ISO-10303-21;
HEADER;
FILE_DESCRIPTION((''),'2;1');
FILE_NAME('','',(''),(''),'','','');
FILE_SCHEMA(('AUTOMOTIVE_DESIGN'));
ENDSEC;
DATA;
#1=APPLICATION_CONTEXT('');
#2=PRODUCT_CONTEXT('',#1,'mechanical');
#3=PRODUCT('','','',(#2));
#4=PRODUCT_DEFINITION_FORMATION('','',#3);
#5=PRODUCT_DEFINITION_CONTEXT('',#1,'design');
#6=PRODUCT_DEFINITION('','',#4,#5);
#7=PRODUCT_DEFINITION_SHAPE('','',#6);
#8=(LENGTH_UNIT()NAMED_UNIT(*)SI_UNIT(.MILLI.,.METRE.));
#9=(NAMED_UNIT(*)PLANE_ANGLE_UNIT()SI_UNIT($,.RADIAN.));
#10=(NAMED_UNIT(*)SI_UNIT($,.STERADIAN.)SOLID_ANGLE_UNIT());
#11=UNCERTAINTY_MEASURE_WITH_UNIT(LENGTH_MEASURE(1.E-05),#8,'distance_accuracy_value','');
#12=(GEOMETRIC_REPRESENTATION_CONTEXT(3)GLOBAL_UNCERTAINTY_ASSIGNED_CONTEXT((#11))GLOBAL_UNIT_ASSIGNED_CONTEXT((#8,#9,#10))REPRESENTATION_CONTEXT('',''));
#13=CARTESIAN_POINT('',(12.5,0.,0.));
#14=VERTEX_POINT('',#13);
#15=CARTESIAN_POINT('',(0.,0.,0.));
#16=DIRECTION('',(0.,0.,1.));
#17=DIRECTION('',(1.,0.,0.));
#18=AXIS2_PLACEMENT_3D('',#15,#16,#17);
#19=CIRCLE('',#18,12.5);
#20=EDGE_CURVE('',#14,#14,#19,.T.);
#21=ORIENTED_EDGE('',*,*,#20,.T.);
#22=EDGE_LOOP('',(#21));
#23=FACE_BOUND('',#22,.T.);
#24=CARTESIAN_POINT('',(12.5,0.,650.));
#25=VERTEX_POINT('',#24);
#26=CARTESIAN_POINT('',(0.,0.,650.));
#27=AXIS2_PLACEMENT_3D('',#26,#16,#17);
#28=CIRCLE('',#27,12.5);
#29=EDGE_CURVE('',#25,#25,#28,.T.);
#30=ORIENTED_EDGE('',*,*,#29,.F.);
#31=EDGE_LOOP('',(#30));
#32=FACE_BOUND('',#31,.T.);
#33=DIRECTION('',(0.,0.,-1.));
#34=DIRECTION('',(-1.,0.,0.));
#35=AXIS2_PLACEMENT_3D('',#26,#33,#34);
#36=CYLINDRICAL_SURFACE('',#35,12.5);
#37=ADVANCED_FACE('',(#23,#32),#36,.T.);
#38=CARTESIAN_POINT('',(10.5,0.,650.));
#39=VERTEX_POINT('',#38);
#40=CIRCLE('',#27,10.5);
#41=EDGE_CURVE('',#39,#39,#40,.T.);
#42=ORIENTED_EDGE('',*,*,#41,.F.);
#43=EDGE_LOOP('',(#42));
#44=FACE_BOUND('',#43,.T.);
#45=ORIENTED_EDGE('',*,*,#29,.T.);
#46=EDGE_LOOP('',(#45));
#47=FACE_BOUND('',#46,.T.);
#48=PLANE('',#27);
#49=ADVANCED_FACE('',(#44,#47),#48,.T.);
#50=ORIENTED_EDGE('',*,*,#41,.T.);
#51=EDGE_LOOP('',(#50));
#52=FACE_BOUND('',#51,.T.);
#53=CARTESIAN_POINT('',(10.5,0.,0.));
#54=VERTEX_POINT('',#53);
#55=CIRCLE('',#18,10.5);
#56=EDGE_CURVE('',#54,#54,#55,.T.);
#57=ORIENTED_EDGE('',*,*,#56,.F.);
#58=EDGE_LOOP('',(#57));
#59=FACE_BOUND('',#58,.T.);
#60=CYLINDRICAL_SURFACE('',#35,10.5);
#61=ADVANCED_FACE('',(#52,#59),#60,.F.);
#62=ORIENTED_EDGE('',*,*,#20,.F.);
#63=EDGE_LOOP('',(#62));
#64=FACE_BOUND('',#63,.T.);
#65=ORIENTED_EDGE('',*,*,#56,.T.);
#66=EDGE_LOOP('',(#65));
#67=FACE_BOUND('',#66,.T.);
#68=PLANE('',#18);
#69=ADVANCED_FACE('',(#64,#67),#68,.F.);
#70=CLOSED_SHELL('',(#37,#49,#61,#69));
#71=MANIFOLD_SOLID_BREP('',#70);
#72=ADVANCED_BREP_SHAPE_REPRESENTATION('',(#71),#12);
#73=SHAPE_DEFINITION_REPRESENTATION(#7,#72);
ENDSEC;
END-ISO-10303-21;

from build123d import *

# Parameters (mm, degrees)
CROQUIS1_R              = 12.5
CROQUIS1_R_2            = 10.5
SALIENTE_EXTRUIR1_DEPTH = 650


with BuildPart() as part:
    # Croquis1 → Saliente-Extruir1 (new body)
    with BuildSketch(Plane.XY):
        Circle(CROQUIS1_R)
        Circle(CROQUIS1_R_2, mode=Mode.SUBTRACT)
    extrude(amount=SALIENTE_EXTRUIR1_DEPTH)


solid = part.part
